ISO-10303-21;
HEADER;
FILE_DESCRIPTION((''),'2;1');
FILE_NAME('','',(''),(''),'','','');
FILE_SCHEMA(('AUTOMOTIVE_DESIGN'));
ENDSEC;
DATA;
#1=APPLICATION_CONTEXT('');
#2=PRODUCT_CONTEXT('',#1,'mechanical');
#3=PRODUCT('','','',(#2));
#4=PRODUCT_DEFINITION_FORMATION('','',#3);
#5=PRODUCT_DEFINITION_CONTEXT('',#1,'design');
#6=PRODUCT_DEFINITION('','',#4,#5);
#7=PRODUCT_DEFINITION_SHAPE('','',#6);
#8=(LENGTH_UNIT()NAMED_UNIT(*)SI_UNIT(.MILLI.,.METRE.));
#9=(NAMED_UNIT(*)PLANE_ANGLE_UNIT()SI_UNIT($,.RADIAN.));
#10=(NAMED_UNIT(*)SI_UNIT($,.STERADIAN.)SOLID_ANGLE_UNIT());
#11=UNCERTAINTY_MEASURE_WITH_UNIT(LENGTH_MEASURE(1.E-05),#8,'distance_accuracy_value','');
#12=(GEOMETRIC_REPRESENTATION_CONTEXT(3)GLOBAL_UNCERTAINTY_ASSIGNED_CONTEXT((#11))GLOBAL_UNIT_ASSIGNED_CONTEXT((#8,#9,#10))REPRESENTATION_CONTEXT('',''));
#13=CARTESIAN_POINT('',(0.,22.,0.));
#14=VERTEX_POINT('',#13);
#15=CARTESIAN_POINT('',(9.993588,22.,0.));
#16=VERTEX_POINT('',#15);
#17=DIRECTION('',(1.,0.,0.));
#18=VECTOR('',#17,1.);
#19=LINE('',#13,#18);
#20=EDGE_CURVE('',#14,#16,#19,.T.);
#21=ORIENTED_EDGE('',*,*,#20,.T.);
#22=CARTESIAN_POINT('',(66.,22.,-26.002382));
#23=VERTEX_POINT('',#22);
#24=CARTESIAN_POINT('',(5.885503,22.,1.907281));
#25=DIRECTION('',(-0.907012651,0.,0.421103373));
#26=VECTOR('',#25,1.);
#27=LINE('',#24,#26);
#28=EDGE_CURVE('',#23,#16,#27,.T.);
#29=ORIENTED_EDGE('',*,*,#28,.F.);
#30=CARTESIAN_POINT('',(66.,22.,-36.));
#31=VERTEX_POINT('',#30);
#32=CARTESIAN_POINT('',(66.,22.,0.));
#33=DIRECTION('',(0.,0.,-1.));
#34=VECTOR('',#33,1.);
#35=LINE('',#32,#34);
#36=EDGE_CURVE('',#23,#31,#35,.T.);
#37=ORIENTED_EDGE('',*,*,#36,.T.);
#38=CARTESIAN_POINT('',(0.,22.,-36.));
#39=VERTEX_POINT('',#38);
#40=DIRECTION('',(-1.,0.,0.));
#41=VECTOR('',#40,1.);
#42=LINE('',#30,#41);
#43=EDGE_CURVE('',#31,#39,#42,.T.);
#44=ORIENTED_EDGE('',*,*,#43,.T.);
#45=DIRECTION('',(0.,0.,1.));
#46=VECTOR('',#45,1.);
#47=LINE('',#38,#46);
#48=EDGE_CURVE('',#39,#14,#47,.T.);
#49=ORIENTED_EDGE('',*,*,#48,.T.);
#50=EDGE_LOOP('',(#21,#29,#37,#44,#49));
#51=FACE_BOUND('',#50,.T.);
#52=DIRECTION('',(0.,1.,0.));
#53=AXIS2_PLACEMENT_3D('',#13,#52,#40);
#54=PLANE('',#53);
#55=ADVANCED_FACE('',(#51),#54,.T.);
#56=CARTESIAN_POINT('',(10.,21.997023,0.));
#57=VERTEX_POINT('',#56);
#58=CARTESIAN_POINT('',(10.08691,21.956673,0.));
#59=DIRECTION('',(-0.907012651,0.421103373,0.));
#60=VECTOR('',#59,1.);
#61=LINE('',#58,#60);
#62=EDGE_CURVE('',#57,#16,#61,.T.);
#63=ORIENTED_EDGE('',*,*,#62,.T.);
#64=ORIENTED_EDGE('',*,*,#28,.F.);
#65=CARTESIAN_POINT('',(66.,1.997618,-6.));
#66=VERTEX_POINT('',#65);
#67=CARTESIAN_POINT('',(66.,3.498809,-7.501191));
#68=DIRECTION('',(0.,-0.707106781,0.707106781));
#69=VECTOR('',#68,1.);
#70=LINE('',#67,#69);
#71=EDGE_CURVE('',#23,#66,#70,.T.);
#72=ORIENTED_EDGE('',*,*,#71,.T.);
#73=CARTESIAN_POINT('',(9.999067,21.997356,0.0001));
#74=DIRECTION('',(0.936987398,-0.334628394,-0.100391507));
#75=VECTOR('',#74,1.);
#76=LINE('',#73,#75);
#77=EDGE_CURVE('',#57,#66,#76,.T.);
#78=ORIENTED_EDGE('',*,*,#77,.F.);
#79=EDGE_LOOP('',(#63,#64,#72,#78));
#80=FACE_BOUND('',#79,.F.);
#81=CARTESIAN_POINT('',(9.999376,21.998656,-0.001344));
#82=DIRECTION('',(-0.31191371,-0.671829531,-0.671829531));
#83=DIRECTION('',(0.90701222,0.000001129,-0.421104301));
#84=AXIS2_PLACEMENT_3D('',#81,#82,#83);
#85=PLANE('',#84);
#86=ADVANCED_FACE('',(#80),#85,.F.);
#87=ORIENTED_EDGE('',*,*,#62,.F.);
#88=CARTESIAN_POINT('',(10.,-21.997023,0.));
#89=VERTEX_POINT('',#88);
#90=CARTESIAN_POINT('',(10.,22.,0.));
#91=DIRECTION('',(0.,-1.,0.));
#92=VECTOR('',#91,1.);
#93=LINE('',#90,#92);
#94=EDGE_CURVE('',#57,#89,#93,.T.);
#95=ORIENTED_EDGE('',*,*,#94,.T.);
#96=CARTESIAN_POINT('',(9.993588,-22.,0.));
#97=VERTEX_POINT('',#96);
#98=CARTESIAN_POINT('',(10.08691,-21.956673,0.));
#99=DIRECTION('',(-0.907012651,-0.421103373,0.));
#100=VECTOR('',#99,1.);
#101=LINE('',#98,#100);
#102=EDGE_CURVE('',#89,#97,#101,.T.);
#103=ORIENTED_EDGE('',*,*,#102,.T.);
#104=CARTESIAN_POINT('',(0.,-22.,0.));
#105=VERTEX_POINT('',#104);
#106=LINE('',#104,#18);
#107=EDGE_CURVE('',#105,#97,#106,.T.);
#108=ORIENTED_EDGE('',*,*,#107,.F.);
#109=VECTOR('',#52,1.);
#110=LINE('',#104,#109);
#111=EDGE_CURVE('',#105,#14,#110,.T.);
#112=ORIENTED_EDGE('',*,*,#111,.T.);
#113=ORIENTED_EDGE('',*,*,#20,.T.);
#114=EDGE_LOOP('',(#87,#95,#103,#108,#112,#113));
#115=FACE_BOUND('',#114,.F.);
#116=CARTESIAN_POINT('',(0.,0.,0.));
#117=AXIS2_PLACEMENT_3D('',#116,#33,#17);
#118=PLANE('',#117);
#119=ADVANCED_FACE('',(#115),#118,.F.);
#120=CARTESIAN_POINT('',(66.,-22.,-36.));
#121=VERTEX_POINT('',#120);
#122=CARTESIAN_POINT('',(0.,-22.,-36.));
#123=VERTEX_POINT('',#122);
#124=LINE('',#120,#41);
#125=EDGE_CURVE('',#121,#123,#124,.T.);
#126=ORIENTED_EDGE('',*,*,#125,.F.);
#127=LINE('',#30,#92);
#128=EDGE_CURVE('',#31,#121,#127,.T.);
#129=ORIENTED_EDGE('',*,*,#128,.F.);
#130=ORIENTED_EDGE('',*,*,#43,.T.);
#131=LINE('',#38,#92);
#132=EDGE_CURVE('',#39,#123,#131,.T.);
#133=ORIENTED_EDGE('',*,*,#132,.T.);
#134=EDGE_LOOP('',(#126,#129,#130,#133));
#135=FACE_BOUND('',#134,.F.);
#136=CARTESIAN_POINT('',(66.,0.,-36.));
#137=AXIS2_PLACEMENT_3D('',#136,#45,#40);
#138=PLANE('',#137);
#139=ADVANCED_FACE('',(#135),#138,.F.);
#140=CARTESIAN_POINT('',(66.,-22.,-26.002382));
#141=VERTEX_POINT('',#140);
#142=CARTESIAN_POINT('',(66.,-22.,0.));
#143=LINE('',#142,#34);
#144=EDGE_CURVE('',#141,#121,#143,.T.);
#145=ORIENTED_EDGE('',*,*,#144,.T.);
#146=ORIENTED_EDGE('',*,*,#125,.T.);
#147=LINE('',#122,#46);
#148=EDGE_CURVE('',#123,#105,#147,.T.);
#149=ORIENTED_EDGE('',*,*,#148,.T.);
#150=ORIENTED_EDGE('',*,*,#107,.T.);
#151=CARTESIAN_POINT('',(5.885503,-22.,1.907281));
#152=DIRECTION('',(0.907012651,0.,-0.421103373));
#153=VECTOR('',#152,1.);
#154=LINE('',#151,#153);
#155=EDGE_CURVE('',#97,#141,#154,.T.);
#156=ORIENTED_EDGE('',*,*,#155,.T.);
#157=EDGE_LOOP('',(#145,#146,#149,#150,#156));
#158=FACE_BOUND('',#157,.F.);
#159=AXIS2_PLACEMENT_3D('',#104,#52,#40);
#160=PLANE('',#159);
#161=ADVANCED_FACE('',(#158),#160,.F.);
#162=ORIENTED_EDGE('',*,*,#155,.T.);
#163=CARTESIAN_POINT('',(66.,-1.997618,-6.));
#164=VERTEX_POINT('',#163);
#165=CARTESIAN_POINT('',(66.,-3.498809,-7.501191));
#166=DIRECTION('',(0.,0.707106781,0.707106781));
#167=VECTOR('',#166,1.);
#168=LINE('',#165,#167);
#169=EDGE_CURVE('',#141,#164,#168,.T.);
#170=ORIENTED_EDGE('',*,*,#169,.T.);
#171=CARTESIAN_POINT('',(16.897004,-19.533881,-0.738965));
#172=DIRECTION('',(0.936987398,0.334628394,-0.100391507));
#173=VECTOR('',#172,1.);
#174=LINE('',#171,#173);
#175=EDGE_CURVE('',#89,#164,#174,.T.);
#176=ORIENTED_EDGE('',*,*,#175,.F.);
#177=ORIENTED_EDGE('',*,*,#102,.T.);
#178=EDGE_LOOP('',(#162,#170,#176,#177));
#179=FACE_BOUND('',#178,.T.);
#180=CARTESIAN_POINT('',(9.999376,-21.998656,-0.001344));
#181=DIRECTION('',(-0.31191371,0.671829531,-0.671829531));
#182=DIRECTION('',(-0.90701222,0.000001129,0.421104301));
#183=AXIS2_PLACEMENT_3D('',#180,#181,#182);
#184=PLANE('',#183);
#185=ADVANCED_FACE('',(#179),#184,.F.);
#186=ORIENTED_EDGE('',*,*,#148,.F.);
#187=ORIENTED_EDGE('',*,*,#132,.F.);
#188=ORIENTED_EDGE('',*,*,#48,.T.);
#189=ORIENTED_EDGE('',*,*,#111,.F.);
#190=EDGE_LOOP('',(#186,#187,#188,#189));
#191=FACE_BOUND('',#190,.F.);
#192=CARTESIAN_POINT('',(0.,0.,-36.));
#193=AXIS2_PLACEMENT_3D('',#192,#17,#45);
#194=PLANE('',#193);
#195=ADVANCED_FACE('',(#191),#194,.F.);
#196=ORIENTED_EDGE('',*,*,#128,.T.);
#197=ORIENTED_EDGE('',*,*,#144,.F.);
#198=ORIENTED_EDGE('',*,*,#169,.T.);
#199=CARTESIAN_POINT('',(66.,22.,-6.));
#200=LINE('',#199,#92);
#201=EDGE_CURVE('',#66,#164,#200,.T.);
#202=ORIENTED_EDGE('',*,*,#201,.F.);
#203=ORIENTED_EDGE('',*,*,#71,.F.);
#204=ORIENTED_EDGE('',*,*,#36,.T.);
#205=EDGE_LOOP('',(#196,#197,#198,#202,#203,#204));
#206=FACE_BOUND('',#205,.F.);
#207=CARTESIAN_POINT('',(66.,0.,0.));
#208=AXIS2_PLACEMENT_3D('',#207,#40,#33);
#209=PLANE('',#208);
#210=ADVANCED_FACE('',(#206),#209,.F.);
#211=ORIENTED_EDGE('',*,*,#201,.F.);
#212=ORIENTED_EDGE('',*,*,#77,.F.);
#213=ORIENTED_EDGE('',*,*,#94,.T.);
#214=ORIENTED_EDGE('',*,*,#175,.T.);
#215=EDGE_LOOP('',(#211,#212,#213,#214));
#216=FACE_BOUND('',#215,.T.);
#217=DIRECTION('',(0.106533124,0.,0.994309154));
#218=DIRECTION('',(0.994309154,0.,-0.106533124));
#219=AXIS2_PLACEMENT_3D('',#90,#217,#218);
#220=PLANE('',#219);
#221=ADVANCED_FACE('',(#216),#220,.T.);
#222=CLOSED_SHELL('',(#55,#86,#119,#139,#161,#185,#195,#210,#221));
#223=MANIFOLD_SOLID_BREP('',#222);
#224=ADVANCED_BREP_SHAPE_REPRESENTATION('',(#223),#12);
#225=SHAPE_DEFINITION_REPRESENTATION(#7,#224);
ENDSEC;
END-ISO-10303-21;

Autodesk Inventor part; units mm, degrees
ref_plane "YZ Plane" through (0, 0, 0) normal (1, 0, 0) x (0, 1, 0)
ref_plane "XZ Plane" through (0, 0, 0) normal (0, 1, 0) x (-1, 0, 0)
sketch "草圖1" plane through (0, 0, 0) normal (0, 1, 0) x (-1, 0, 0)
  line L0 (0, 0) -> (-66, 0)
  line L1 (-66, 0) -> (-66, -36)
  line L2 (-66, -36) -> (0, -36)
  line L3 (0, -36) -> (0, 0)
  dimension "d0" = 66
  dimension "d1" = 36
extrude "擠出1" add sketch "草圖1" along normal mid plane 44
sketch "草圖2" plane through (0, 22, 0) normal (0, 1, 0) x (1, 0, 0)
  line L0 (0, 0) -> (66, 0) projected
  line L1 (10, 0) -> (66, 6)
  line L2 (66, 0) -> (66, 36) projected
  dimension "d4" = 10
  dimension "d5" = 30
extrude "擠出2" cut sketch "草圖2" against normal blind 60
sketch "草圖3" plane through (66, -22, -36) normal (1, 0, 0) x (0, 0, -1)
  line L0 (-30, 24) -> (-10, 44)
  line L1 (0, 44) -> (-36, 44) projected
  line L2 (-30, 44) -> (-30, 0) projected
  point P0 (-36, 22)
  point P1 (-30, 2)
  dimension "d8" = 20
  dimension "d9" = 20
ref_plane "工作平面1" through (10, 22, 0) normal (-0.3119, -0.6718, -0.6718) x (0.907, 0, -0.4211)
sketch "草圖4" plane through (10, 22, 0) normal (-0.3119, -0.6718, -0.6718) x (0.907, 0, -0.4211)
  line L0 (-15.1543, -12.3218) -> (93.717, -12.3218)
  line L1 (93.717, -12.3218) -> (93.717, 28.8166)
  line L2 (93.717, 28.8166) -> (-15.1543, 28.8166)
  line L3 (-15.1543, 28.8166) -> (-15.1543, -12.3218)
  point P0 (-9.0701, 13.4664)
extrude "擠出3" cut sketch "草圖4" against normal blind 40
mirror "鏡射1" about plane through (0, 0, 0) normal (0, 1, 0) of "擠出3"
properties part number "50"
